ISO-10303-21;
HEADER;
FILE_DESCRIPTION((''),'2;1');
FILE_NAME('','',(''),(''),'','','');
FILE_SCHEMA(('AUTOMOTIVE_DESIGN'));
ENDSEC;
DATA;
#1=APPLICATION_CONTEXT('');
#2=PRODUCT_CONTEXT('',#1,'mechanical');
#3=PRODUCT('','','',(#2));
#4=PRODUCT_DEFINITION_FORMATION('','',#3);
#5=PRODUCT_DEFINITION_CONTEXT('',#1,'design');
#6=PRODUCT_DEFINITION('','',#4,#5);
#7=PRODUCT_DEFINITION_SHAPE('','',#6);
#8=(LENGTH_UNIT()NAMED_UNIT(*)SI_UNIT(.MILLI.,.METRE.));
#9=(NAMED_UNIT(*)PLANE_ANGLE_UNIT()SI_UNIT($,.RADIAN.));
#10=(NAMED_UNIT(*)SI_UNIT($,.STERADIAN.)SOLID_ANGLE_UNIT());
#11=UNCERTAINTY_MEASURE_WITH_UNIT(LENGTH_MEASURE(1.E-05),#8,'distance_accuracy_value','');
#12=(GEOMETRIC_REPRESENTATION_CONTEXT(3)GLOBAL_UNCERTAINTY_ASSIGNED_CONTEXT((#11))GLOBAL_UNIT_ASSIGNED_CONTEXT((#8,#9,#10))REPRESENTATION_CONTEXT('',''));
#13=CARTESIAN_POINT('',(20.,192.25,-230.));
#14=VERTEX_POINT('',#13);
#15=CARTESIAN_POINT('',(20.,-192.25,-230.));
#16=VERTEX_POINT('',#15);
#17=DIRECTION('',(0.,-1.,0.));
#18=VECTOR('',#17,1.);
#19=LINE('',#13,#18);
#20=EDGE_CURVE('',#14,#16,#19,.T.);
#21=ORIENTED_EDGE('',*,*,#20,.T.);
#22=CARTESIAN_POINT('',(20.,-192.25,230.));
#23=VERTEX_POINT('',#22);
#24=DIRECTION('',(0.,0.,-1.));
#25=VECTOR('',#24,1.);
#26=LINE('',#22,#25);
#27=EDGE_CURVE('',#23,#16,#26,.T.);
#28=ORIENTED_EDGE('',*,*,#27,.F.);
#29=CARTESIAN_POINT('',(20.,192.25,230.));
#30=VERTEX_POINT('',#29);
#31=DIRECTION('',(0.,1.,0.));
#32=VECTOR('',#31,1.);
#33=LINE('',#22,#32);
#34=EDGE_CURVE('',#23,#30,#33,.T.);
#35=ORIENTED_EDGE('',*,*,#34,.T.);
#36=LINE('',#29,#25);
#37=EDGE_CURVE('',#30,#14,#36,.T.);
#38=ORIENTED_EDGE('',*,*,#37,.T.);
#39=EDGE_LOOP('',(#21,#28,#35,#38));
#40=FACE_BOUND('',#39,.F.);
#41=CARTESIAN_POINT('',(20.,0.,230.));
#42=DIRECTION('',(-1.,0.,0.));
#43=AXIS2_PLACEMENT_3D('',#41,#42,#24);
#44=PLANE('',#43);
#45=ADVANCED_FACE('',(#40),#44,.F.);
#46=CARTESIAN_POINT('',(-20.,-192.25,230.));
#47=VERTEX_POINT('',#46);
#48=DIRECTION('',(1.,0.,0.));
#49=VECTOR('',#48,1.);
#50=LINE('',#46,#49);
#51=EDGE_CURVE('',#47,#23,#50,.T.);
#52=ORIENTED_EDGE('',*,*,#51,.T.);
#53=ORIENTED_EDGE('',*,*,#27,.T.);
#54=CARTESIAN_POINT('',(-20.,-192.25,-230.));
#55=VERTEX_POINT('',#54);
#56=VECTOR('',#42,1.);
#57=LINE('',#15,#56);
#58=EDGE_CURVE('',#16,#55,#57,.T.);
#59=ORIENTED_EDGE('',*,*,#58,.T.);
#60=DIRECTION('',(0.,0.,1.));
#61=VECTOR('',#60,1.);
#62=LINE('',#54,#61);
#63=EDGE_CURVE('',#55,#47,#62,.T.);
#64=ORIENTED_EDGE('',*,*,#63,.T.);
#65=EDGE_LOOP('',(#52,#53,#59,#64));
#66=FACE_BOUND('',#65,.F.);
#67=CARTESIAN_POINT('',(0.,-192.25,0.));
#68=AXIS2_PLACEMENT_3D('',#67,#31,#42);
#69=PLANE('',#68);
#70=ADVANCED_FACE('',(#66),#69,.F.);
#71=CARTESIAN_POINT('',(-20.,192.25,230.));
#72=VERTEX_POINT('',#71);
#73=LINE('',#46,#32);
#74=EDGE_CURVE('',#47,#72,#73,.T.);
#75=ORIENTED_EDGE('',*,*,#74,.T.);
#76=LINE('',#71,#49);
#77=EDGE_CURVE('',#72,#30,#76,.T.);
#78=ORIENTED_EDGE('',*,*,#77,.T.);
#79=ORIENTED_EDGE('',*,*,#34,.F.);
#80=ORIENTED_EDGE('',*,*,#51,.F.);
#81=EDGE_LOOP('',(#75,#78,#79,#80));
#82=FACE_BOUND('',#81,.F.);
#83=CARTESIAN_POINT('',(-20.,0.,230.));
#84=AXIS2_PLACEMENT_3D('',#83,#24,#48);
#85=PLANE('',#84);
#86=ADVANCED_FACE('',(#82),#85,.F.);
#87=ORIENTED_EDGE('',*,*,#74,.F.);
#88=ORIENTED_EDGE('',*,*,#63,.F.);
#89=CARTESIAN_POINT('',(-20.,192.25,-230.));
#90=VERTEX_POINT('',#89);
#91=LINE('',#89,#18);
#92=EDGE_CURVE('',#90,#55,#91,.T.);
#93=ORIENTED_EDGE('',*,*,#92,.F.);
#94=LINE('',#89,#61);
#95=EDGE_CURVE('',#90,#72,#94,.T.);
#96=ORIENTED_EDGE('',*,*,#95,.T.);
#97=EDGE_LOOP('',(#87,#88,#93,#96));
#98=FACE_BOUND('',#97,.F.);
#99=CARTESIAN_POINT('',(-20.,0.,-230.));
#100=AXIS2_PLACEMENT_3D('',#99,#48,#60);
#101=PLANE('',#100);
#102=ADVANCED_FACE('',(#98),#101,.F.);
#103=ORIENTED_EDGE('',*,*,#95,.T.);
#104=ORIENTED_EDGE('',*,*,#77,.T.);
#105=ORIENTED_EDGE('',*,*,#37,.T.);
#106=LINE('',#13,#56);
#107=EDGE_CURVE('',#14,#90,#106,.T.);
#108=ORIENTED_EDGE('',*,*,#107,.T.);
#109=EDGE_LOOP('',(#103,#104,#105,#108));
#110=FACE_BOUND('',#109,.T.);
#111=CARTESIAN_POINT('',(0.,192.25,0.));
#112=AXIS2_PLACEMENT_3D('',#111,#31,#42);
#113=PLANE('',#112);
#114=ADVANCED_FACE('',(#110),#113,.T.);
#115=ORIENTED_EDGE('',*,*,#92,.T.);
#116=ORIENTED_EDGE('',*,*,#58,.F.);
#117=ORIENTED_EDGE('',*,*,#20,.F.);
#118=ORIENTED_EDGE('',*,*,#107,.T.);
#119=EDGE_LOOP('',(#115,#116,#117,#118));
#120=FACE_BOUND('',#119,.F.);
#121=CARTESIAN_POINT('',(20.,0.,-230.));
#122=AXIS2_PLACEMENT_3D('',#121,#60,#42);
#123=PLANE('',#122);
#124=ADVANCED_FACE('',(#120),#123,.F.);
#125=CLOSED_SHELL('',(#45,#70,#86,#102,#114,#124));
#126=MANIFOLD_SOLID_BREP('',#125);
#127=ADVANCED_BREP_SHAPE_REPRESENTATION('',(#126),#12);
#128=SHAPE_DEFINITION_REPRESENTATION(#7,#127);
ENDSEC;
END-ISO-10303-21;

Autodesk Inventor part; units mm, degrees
sketch "Эскиз1" plane through (0, 0, 0) normal (0, 1, 0) x (-1, 0, 0)
  line L0 (20, 230) -> (-20, 230)
  line L1 (-20, 230) -> (-20, -230)
  line L2 (-20, -230) -> (20, -230)
  line L3 (20, -230) -> (20, 230)
  line L4 (20, 230) -> (-20, -230) construction
  line L5 (-20, 230) -> (20, -230) construction
  point P0 (0, 0)
  dimension "d0" = 40
  dimension "d1" = 460
extrude "Выдавливание1" add sketch "Эскиз1" along normal mid plane 384.5
properties part number "край задней стенки"
